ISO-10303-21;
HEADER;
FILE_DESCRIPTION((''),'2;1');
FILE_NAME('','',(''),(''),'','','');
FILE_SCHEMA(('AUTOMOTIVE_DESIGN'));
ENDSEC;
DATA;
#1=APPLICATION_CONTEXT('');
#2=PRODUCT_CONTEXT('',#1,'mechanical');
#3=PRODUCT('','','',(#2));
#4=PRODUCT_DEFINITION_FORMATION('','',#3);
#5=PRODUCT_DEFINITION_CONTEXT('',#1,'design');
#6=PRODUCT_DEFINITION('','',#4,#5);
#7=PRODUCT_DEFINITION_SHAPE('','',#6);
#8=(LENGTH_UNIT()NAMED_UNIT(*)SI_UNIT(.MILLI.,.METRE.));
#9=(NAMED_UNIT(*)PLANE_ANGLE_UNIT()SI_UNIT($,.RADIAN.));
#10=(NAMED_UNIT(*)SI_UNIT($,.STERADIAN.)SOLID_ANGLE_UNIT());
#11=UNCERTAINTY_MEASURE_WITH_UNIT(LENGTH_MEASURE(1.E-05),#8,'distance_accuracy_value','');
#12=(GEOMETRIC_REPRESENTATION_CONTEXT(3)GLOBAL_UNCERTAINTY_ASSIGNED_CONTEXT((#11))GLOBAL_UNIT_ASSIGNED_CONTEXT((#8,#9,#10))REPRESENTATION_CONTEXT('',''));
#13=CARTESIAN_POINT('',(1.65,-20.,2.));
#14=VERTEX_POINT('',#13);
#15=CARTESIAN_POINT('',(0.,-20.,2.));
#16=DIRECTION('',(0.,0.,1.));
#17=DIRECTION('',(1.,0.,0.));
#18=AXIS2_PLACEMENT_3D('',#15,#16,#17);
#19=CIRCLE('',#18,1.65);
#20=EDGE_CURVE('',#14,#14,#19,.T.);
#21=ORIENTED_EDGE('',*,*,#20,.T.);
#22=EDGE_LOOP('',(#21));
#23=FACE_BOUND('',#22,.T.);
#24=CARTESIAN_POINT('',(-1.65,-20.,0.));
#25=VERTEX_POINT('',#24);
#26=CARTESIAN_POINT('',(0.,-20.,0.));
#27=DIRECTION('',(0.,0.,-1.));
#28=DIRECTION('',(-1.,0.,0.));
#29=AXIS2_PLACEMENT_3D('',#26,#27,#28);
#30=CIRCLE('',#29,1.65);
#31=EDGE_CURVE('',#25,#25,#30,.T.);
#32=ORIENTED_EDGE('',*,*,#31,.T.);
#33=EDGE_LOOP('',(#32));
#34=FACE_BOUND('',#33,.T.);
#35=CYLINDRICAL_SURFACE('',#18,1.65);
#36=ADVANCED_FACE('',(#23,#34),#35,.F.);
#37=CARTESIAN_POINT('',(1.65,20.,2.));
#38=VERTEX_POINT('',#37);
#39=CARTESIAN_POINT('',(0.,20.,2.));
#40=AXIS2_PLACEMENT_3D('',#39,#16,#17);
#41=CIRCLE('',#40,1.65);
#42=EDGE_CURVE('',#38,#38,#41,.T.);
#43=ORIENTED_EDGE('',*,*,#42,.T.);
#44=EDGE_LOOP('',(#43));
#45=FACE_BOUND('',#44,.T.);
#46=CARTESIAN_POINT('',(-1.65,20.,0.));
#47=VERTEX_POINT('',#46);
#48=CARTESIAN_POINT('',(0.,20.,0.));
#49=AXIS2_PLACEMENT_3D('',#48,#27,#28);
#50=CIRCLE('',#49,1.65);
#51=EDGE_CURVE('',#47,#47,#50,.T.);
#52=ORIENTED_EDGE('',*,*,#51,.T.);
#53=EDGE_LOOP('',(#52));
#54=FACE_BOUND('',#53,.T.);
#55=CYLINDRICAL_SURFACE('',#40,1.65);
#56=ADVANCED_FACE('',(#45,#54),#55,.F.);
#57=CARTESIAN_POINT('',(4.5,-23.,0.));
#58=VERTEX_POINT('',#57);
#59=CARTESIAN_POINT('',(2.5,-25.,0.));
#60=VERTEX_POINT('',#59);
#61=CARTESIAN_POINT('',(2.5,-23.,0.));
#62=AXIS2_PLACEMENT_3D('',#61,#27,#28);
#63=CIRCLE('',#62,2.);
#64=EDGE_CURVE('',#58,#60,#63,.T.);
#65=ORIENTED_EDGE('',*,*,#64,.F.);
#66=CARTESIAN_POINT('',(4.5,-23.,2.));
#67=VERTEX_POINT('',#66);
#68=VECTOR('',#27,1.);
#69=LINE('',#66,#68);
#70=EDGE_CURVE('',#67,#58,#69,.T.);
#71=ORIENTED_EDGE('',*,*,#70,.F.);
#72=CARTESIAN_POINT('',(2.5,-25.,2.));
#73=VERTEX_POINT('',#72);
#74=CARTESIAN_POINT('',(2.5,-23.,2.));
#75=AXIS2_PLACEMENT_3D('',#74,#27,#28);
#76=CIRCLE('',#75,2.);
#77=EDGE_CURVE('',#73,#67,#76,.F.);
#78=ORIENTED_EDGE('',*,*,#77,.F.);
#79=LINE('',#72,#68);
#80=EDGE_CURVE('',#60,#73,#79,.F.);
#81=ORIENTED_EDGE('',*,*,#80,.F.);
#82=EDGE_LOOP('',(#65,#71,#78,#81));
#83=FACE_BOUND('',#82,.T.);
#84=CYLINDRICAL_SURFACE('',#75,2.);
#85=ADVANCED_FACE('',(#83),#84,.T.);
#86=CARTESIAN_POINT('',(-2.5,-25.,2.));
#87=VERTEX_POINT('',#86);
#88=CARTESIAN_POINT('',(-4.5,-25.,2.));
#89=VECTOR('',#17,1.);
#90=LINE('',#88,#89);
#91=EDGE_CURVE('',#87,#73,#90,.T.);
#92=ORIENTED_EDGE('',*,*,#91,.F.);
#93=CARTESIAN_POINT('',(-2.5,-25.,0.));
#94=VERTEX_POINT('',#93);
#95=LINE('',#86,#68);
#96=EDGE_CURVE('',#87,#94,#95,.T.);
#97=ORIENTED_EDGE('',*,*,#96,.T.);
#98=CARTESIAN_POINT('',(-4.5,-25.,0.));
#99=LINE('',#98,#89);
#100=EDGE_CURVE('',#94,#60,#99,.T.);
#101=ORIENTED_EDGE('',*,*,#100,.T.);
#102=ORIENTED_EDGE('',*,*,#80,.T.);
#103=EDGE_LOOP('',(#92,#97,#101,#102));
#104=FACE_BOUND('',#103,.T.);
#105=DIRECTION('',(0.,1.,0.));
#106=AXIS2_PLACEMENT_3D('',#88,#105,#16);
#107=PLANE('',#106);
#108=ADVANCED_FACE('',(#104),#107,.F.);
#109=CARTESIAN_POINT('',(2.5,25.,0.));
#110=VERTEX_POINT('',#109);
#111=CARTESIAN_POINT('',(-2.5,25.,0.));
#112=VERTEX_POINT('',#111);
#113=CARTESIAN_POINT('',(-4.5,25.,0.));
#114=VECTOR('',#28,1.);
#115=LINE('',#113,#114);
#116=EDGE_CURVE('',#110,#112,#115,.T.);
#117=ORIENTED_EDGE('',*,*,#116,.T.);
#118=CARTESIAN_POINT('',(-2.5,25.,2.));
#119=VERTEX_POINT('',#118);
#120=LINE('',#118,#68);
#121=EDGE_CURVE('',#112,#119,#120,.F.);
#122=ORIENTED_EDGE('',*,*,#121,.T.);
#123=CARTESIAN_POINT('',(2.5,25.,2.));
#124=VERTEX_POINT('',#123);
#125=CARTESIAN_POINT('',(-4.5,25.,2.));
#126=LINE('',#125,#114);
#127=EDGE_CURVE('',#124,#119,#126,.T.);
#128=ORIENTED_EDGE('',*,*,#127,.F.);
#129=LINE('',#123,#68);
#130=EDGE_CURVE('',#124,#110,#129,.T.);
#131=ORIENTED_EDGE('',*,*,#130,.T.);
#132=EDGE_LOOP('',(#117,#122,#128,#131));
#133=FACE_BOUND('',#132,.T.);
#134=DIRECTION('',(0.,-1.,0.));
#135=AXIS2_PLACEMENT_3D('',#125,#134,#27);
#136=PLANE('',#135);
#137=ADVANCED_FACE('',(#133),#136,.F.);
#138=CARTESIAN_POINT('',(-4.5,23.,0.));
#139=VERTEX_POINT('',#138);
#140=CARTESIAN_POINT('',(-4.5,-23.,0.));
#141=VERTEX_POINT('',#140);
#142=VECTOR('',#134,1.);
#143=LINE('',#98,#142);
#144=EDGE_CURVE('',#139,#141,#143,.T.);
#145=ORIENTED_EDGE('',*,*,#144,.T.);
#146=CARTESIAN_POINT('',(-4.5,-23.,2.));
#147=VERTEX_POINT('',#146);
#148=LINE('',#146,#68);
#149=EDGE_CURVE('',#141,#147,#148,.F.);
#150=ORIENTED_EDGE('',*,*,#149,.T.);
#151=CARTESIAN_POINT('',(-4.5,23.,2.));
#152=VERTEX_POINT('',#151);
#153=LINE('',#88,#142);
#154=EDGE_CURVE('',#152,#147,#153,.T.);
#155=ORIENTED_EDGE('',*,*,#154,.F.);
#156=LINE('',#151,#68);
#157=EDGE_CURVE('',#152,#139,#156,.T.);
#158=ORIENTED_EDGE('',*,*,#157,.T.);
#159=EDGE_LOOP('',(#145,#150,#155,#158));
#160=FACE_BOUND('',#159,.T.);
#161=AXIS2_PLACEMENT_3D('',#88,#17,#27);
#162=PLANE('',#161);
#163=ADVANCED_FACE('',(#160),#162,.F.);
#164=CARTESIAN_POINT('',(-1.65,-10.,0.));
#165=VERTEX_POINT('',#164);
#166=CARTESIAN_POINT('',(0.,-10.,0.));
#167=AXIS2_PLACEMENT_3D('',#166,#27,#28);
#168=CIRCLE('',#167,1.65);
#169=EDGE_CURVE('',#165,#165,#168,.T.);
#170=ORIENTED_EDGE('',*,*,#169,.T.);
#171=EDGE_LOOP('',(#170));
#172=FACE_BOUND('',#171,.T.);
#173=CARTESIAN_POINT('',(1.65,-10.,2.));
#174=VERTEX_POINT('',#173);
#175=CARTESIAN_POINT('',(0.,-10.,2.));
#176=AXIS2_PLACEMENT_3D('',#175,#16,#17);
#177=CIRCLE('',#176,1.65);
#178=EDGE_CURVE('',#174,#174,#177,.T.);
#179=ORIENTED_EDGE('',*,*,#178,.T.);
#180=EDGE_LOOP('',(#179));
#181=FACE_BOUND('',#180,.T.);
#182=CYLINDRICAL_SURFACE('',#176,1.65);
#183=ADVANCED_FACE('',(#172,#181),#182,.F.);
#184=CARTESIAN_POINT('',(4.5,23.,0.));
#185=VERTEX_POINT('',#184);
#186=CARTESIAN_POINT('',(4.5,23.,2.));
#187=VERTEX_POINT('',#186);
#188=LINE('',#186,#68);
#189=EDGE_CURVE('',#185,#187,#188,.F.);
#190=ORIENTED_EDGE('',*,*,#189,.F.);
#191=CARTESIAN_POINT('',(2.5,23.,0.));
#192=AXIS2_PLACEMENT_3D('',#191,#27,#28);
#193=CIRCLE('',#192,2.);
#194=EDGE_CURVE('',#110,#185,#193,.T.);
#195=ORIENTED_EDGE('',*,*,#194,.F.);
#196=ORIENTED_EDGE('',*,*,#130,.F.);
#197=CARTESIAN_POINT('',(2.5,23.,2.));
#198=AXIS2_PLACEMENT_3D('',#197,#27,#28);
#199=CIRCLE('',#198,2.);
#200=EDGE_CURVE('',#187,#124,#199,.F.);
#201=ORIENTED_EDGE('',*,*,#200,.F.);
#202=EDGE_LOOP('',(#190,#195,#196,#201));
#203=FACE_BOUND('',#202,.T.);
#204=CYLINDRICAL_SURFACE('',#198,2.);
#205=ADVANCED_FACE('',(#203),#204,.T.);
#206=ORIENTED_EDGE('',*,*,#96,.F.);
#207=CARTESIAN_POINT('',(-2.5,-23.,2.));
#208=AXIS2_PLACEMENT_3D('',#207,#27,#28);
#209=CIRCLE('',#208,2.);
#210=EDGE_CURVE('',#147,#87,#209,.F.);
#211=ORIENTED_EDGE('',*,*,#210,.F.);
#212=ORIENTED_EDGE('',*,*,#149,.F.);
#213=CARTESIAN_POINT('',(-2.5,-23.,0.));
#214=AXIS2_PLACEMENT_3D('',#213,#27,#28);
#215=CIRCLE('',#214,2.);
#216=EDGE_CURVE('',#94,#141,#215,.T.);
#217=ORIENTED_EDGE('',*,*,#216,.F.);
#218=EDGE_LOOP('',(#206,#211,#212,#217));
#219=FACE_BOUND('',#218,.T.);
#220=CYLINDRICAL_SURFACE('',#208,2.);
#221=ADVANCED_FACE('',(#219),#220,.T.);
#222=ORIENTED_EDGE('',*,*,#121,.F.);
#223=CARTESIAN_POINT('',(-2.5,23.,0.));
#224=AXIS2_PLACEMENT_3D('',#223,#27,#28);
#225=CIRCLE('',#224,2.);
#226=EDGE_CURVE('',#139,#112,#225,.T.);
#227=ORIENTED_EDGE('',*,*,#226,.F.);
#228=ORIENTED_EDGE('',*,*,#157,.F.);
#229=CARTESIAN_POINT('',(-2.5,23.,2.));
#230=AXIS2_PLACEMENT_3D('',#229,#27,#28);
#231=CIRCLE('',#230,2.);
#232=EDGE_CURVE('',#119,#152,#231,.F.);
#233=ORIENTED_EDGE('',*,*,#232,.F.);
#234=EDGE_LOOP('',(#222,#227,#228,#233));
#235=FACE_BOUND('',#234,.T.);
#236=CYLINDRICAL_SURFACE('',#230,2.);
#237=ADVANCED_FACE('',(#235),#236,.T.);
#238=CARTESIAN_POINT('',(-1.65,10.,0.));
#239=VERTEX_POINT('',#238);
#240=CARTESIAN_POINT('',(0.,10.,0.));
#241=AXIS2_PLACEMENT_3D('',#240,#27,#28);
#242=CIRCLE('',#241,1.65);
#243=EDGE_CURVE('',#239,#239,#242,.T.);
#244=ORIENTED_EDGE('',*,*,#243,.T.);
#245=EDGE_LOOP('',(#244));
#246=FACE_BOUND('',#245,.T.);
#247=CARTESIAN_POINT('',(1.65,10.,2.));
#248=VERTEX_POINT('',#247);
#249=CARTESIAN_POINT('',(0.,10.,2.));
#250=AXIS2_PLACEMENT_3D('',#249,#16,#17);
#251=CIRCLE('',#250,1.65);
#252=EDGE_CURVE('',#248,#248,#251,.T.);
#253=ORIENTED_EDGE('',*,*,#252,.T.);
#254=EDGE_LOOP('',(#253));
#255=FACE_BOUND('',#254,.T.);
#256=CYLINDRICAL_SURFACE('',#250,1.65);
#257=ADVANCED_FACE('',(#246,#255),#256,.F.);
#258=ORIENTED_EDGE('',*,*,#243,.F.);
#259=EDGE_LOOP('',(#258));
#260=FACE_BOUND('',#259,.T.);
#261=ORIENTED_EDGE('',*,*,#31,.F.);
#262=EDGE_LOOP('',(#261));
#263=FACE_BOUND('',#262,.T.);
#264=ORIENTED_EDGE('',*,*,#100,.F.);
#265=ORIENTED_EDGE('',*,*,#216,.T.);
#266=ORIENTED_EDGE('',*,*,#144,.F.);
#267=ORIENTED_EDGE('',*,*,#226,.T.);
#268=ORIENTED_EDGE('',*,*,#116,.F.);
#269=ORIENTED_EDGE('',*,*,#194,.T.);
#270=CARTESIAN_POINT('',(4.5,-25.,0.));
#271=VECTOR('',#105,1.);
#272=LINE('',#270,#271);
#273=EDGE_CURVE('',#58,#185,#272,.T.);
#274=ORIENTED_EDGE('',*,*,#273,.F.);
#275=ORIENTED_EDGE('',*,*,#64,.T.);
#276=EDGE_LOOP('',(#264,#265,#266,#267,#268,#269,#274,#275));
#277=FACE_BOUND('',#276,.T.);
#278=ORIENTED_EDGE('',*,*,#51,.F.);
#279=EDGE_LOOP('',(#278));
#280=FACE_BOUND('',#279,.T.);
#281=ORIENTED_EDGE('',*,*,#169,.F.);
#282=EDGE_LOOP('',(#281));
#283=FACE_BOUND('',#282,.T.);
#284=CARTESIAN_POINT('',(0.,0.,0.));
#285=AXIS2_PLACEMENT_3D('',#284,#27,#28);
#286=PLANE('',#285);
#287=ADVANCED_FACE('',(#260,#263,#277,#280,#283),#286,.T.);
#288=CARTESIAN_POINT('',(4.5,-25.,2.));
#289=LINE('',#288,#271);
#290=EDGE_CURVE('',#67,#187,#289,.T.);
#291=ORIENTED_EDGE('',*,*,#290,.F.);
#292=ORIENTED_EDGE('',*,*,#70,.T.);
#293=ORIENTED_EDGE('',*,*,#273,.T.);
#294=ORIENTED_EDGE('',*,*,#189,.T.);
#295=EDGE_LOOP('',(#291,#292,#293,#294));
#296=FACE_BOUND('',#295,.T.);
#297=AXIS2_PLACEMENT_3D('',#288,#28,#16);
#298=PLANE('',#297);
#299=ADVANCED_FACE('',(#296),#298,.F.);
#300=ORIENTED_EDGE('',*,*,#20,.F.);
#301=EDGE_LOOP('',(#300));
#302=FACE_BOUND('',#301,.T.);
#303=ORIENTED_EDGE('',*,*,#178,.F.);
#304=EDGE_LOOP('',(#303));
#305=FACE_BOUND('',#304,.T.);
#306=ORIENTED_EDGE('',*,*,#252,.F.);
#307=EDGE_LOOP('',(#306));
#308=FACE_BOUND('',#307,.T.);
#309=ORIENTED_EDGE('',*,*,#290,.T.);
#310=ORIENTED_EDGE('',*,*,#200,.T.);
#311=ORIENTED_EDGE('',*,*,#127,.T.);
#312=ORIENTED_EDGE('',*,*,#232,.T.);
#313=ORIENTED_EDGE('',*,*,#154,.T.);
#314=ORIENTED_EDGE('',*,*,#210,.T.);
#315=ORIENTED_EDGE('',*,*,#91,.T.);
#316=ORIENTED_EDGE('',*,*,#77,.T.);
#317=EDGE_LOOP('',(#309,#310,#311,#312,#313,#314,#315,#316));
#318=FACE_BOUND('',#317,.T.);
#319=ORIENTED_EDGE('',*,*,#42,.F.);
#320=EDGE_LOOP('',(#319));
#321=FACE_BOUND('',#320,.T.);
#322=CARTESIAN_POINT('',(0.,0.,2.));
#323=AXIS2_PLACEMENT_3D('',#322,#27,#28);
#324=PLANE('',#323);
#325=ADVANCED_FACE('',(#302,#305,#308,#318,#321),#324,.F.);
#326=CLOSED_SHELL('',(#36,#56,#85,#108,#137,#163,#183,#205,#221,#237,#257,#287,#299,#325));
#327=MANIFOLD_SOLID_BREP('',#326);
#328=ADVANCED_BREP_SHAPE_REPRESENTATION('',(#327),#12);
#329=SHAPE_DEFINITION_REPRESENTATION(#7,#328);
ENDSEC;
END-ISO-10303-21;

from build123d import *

# Parameters (mm, degrees)
SKETCH_1_W            = 9
SKETCH_1_H            = 50
EXTRUDE_1_DEPTH       = 2
HOLE_WIZARD_M41_D     = 3.3
HOLE_WIZARD_M41_DEPTH = 11.5
HOLE_WIZARD_M41_TIP   = 0.991420021
FILLET_1_R            = 2


with BuildPart() as part:
    # Эскиз1 → Бобышка-Вытянуть1 (new body)
    with BuildSketch(Plane.XY):
        Rectangle(SKETCH_1_W, SKETCH_1_H)
    extrude(amount=EXTRUDE_1_DEPTH)

    # Отверстие обработанное метчиком M41
    with Locations(Plane.XY.offset(2)):
        with Locations((0, -10), (0, 20), (0, 10), (0, -20)):
            Hole(HOLE_WIZARD_M41_D / 2, depth=HOLE_WIZARD_M41_DEPTH)
            with Locations((0, 0, -(HOLE_WIZARD_M41_DEPTH + HOLE_WIZARD_M41_TIP / 2))):  # 118° drill point
                Cone(0, HOLE_WIZARD_M41_D / 2, HOLE_WIZARD_M41_TIP, mode=Mode.SUBTRACT)

    # Скругление1
    fillet_1_edges = [part.edges().sort_by_distance(p)[0] for p in [
        (4.5, -25, 1),
        (-4.5, -25, 1),
        (-4.5, 25, 1),
        (4.5, 25, 1),
    ]]
    fillet(fillet_1_edges, radius=FILLET_1_R)


solid = part.part
